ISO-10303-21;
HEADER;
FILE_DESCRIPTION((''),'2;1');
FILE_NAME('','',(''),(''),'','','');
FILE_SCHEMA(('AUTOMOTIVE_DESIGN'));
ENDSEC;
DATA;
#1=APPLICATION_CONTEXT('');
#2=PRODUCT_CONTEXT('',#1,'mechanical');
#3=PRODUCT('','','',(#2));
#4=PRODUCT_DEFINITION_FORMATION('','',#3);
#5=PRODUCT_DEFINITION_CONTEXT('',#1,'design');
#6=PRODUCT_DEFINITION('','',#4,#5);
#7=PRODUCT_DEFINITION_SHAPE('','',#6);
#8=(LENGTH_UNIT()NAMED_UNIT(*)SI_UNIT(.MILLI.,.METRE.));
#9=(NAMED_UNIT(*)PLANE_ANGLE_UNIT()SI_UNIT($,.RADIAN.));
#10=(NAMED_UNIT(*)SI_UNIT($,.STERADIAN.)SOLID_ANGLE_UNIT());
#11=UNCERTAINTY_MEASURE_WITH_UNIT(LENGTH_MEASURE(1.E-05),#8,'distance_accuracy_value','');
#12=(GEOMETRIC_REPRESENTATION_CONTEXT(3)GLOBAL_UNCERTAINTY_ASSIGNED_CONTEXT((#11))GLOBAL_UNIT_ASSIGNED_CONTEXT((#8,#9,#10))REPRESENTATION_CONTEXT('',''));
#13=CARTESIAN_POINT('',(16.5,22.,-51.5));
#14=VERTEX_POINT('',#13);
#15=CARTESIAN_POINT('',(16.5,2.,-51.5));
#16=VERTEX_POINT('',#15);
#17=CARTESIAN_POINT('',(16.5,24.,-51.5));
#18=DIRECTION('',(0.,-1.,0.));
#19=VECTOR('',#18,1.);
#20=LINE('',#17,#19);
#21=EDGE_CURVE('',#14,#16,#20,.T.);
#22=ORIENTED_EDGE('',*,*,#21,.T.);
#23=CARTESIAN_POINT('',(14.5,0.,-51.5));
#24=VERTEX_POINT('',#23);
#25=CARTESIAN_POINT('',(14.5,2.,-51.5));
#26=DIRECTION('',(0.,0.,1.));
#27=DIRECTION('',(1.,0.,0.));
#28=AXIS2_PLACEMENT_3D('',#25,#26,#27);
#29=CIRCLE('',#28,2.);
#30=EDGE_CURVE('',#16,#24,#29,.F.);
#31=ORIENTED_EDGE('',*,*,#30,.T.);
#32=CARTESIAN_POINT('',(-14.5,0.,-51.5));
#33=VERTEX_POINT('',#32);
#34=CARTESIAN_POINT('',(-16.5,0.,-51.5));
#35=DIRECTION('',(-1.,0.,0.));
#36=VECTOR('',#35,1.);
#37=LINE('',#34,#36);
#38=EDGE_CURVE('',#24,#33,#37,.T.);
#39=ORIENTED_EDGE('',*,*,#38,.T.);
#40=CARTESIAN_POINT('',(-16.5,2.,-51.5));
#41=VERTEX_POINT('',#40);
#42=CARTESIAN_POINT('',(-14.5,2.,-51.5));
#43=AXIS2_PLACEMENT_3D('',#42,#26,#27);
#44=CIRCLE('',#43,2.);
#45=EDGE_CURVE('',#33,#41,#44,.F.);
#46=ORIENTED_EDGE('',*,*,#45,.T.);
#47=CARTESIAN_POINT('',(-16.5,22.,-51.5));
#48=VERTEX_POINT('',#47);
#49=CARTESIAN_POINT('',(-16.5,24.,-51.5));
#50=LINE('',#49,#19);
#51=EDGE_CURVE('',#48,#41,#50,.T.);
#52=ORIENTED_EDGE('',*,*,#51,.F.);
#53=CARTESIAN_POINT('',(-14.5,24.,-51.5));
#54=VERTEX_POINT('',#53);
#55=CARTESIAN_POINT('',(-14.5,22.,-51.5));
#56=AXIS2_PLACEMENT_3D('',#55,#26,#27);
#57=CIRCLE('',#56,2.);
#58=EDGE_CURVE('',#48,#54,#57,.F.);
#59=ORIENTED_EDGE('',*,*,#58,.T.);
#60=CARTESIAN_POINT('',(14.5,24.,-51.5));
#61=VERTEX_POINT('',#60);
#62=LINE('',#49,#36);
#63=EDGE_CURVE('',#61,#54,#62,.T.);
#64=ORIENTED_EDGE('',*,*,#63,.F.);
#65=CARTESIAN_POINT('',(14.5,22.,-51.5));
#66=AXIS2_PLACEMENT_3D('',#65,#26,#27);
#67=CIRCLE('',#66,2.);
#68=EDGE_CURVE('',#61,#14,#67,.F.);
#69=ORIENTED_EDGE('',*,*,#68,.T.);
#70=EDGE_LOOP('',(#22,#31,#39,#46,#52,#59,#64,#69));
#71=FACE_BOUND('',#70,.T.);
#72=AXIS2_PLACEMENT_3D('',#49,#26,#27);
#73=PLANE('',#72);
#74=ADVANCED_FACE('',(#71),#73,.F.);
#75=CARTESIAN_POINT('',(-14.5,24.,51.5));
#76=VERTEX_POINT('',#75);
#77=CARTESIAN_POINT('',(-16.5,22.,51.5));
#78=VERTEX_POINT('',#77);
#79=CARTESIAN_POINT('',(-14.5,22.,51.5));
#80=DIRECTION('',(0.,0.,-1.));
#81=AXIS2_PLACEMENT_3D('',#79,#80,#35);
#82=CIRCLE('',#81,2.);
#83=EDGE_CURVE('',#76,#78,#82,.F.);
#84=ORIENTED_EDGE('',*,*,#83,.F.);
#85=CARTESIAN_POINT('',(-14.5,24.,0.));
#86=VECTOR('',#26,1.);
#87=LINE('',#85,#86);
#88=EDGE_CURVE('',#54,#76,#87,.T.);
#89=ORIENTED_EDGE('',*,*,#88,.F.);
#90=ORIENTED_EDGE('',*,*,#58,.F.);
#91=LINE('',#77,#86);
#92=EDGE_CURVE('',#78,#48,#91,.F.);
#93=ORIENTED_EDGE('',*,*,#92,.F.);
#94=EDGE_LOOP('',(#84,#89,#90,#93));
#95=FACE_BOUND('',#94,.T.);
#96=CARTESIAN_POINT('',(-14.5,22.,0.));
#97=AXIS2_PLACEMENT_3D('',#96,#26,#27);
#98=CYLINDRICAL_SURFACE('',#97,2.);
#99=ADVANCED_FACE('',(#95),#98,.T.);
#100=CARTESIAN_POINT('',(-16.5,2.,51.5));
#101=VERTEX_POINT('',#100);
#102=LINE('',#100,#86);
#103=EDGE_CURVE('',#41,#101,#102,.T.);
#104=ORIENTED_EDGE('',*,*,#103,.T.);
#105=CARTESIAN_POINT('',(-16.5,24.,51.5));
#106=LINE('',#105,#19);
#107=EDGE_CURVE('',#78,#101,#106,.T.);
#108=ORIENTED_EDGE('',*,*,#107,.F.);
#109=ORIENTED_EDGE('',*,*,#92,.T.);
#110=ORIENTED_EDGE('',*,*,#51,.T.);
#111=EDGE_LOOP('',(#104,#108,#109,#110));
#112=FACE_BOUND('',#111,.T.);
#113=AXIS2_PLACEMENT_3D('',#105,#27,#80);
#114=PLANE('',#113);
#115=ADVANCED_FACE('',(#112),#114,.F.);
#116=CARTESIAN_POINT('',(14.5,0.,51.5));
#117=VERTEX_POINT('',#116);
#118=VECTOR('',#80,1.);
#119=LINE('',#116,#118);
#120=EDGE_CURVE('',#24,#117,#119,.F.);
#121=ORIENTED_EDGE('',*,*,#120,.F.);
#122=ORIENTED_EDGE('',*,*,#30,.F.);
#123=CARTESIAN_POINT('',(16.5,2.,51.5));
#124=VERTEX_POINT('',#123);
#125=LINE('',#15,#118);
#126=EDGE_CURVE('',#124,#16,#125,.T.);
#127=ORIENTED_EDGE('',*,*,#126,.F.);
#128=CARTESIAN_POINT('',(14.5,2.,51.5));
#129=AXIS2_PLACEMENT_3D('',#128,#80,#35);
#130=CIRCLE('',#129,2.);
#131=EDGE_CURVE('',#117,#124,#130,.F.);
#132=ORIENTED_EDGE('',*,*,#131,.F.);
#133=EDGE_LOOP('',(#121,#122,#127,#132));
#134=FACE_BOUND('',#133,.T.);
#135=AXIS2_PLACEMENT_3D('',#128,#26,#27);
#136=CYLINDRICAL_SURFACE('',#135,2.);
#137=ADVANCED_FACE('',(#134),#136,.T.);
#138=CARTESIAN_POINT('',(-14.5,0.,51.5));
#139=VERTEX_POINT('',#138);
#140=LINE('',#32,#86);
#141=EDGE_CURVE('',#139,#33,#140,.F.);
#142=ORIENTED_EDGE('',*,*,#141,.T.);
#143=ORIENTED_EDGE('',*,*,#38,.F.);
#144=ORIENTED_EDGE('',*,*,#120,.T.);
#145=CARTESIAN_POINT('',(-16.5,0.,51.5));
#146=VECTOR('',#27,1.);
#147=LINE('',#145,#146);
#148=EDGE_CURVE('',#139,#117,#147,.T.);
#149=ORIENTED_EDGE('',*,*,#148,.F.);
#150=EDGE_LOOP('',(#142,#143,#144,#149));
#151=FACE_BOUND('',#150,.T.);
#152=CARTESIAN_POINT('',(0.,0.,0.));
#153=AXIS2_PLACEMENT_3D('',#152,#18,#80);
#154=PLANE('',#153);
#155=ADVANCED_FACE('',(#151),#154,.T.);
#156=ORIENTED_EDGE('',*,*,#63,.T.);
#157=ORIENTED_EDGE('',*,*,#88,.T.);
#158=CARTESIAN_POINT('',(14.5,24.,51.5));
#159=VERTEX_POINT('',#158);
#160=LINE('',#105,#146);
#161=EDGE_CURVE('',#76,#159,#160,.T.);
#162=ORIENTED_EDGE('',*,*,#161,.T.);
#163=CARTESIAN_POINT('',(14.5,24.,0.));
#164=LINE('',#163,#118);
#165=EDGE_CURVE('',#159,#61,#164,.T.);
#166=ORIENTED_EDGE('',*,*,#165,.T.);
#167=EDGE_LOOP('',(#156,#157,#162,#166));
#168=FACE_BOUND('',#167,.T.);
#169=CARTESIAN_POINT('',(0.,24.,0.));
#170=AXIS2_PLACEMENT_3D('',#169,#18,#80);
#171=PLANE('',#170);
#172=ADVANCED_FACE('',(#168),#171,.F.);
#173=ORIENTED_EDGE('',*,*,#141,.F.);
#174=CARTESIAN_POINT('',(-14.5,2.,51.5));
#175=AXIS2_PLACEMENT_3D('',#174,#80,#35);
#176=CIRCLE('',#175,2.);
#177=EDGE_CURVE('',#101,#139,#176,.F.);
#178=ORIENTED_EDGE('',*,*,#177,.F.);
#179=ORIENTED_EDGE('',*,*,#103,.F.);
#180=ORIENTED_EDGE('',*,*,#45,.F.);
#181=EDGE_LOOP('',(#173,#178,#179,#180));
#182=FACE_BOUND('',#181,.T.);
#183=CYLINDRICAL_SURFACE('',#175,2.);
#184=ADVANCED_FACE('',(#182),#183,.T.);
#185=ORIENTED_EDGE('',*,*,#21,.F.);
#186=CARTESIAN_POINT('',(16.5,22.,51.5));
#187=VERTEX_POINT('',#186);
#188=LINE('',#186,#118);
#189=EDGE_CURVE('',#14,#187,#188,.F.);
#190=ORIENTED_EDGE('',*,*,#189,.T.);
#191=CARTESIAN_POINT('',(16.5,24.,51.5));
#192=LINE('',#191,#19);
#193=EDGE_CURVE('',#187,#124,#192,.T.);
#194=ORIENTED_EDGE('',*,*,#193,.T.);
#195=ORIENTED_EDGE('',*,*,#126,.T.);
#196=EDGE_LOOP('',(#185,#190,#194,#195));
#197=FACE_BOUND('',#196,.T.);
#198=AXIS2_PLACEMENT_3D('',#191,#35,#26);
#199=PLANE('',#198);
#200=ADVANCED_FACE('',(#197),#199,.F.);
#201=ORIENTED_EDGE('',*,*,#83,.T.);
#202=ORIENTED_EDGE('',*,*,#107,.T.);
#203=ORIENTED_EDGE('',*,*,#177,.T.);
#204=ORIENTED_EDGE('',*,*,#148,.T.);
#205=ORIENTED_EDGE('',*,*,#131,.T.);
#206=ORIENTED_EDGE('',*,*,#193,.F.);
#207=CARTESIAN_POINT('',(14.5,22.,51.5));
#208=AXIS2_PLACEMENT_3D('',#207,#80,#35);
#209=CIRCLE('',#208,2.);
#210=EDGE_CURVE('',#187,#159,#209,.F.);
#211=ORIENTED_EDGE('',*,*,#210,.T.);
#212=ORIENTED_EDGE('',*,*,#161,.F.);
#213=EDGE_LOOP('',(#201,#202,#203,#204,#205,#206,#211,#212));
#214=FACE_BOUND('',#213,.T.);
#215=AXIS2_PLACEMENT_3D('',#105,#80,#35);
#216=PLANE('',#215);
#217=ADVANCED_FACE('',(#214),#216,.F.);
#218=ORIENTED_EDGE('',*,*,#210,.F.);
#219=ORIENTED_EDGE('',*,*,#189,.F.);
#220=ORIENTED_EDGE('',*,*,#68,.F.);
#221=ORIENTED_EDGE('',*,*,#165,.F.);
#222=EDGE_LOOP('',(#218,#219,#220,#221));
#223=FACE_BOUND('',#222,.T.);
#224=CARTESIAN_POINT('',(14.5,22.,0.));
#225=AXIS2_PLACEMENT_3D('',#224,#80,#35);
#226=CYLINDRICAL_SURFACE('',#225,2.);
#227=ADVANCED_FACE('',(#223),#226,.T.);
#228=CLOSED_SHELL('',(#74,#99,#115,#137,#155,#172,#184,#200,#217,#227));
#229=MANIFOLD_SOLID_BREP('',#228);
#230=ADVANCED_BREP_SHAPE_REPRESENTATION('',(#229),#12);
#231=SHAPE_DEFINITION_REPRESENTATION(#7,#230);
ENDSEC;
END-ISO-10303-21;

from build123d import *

# Parameters (mm, degrees)
SKETCH1_W           = 33
SKETCH1_H           = 103
BOSS_EXTRUDE1_DEPTH = 24
FILLET1_R           = 2


with BuildPart() as part:
    # Sketch1 → Boss-Extrude1 (new body)
    with BuildSketch(Plane(origin=(0, 0, 0), x_dir=(1, 0, 0), z_dir=(0, 1, 0))):
        Rectangle(SKETCH1_W, SKETCH1_H)
    extrude(amount=BOSS_EXTRUDE1_DEPTH)

    # Fillet1
    fillet1_edges = [part.edges().sort_by_distance(p)[0] for p in [
        (-16.5, 24, 0),
        (16.5, 24, 0),
        (-16.5, 0, 0),
        (16.5, 0, 0),
    ]]
    fillet(fillet1_edges, radius=FILLET1_R)


solid = part.part
